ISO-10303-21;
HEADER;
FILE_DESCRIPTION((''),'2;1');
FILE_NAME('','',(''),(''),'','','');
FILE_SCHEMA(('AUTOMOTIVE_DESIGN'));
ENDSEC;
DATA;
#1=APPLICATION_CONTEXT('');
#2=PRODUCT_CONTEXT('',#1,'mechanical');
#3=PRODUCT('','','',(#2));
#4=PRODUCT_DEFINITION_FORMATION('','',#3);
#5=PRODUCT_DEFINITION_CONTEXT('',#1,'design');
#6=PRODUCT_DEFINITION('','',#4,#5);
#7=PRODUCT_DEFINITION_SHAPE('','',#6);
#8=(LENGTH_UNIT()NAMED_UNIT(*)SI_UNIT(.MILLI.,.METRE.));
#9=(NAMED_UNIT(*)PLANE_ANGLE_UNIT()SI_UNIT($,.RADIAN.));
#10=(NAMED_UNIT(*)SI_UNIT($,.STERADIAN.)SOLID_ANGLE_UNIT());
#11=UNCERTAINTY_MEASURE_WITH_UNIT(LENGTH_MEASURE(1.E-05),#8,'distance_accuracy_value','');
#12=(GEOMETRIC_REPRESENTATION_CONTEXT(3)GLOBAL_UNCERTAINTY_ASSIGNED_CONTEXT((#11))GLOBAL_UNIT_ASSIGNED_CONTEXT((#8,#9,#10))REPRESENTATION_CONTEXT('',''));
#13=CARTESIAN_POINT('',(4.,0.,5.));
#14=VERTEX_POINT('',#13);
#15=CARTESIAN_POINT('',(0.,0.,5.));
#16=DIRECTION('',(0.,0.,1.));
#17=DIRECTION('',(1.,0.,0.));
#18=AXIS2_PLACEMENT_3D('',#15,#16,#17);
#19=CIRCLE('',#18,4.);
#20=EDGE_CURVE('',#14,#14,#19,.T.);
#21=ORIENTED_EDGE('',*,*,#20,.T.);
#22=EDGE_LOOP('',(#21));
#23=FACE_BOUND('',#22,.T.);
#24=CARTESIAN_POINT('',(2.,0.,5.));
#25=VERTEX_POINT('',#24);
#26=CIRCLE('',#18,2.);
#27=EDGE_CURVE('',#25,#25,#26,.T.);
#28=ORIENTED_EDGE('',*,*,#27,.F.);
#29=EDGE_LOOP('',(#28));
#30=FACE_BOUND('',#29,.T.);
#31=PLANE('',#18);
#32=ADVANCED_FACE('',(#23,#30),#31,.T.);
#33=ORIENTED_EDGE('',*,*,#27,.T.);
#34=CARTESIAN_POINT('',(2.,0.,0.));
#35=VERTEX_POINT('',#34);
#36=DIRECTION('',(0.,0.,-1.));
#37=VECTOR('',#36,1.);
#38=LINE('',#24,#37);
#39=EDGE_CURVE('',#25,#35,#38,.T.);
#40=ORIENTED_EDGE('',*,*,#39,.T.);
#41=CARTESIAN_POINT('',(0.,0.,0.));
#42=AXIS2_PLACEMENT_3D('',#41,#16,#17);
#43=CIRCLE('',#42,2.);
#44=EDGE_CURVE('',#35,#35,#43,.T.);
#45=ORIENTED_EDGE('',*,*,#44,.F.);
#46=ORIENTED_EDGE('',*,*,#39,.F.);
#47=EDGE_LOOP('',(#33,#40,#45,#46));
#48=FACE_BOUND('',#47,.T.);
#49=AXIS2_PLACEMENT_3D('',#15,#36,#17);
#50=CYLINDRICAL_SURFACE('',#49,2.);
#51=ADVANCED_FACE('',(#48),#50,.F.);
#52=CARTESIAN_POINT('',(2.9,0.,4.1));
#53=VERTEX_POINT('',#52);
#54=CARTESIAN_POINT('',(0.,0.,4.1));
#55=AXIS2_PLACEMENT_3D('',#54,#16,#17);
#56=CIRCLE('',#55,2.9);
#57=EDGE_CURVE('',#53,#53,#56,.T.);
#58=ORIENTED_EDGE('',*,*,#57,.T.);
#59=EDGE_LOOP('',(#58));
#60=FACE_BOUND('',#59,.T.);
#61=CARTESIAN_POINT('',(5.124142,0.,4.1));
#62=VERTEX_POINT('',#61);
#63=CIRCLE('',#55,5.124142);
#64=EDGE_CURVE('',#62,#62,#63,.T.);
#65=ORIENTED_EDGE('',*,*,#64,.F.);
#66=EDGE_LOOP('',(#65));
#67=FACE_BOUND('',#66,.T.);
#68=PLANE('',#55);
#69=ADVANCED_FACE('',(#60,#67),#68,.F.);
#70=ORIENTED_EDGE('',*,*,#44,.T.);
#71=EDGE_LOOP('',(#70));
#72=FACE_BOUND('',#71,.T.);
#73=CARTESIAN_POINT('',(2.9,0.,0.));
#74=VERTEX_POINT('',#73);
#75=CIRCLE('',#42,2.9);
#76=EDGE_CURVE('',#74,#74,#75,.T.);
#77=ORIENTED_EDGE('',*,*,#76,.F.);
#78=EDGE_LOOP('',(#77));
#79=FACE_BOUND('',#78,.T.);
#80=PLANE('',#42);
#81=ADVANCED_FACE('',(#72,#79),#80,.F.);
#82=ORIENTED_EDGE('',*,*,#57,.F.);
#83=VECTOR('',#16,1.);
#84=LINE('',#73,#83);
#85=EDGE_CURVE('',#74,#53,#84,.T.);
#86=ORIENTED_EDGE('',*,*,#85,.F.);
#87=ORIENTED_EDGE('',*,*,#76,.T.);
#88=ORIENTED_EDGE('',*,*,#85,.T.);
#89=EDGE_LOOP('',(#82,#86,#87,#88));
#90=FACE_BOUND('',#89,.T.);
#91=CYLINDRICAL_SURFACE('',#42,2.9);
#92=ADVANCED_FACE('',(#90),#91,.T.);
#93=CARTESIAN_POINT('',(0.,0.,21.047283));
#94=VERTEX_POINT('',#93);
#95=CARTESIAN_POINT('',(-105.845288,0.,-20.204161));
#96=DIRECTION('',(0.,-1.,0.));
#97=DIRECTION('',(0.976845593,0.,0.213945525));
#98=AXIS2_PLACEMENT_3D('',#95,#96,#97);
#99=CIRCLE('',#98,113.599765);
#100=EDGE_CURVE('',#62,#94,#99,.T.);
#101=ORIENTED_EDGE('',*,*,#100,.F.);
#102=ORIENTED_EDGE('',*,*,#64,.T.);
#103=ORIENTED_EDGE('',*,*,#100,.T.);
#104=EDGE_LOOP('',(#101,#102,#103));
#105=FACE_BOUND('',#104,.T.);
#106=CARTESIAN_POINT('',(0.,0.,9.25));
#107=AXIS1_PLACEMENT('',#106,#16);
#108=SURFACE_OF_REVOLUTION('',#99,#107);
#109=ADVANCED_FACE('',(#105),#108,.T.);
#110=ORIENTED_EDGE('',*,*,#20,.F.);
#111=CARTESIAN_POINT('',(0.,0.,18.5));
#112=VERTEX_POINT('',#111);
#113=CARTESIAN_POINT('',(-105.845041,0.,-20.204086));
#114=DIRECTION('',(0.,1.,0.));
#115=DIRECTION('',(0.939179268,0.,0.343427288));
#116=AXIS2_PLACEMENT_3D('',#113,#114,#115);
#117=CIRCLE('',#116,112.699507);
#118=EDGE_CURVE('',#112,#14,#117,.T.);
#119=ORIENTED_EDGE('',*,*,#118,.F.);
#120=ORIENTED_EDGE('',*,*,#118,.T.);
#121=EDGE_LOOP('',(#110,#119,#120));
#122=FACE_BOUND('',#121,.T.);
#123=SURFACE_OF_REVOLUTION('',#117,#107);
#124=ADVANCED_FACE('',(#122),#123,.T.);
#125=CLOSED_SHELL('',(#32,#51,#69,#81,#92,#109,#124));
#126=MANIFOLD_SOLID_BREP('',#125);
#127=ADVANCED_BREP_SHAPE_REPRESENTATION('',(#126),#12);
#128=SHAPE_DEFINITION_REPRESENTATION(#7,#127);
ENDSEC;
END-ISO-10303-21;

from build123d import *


with BuildPart() as f1:
    # F0 (on Front) → F1 (revolve)
    with BuildSketch(Plane.XZ):
        with BuildLine():
            Line((0, 21.047283), (0, 18.5))
            ThreePointArc((0, 18.5), (2.211034, 11.812529), (4, 5))
            Line((4, 5), (2, 5))
            Line((2, 5), (2, 0))
            Line((2, 0), (2.9, 0))
            Line((2.9, 0), (2.9, 4.1))
            Line((2.9, 4.1), (5.124142, 4.1))
            ThreePointArc((5.124142, 4.1), (2.892737, 12.673621), (0, 21.047283))
        make_face()
    revolve(axis=Axis((0, 0, 9.25), (0, 0, 1)))


solid = f1.part
